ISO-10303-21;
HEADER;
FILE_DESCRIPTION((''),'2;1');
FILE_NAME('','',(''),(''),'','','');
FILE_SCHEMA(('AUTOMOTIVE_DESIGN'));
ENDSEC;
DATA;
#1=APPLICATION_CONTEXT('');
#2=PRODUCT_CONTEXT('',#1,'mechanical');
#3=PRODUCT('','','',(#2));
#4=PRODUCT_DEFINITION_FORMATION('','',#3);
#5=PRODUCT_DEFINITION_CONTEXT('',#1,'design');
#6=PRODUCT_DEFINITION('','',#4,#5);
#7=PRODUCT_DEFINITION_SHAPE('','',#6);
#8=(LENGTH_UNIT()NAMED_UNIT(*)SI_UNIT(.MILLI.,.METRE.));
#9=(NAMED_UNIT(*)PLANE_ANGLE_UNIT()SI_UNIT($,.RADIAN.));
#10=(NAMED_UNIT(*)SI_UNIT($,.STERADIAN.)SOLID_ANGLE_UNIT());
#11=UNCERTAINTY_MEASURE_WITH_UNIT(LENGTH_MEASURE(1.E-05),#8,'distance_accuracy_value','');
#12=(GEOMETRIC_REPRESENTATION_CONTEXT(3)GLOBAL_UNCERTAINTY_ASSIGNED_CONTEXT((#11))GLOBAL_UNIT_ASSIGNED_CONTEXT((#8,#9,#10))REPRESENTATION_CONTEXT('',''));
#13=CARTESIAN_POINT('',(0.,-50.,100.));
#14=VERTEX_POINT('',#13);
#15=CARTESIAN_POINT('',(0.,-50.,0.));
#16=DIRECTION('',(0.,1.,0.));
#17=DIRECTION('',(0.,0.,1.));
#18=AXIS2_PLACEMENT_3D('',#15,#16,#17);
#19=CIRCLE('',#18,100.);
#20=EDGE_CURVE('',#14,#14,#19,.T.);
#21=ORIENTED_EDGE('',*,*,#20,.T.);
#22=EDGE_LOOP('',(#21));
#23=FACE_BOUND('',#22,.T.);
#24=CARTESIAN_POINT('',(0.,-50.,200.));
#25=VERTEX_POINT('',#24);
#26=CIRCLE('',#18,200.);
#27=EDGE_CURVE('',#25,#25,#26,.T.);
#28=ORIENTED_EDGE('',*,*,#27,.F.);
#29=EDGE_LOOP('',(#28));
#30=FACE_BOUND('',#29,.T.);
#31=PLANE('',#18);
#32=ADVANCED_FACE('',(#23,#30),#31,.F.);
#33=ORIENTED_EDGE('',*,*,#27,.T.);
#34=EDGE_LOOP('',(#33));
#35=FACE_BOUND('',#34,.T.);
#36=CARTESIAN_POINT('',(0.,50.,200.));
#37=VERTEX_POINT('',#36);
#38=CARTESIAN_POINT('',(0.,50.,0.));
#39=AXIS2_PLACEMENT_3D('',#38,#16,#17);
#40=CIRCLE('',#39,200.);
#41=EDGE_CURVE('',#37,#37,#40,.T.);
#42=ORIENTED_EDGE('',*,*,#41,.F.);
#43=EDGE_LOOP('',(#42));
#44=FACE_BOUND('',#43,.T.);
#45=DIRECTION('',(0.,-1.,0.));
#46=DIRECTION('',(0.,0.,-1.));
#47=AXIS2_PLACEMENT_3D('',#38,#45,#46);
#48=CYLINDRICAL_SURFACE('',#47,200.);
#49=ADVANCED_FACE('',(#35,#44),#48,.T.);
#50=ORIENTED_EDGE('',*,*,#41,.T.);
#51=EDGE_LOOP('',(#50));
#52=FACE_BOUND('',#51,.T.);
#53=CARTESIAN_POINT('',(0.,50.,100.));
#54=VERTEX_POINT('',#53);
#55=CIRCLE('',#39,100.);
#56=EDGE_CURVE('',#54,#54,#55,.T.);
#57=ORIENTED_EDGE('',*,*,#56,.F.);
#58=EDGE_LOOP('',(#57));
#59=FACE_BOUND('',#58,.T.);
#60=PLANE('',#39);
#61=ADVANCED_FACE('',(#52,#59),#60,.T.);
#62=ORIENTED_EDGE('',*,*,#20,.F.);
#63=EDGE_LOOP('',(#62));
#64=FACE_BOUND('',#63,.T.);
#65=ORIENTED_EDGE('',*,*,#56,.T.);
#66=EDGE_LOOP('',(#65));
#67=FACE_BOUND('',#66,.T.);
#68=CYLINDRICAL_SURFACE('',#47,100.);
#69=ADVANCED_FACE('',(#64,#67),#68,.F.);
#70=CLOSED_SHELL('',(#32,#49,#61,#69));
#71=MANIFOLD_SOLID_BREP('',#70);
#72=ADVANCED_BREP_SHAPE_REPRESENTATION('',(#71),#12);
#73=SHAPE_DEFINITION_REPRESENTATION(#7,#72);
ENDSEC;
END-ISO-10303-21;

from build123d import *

# Parameters (mm, degrees)
SKETCH1_R           = 200
SKETCH1_R_2         = 100
BOSS_EXTRUDE1_DEPTH = 50


with BuildPart() as part:
    # Sketch1 → Boss-Extrude1 (new, symmetric)
    with BuildSketch(Plane(origin=(0, 0, 0), x_dir=(1, 0, 0), z_dir=(0, 1, 0))):
        with Locations(Location((0, 0, 0), (0, 0, 270))):
            Circle(SKETCH1_R)
        with Locations(Location((0, 0, 0), (0, 0, 270))):
            Circle(SKETCH1_R_2, mode=Mode.SUBTRACT)
    extrude(amount=BOSS_EXTRUDE1_DEPTH, both=True)


solid = part.part
